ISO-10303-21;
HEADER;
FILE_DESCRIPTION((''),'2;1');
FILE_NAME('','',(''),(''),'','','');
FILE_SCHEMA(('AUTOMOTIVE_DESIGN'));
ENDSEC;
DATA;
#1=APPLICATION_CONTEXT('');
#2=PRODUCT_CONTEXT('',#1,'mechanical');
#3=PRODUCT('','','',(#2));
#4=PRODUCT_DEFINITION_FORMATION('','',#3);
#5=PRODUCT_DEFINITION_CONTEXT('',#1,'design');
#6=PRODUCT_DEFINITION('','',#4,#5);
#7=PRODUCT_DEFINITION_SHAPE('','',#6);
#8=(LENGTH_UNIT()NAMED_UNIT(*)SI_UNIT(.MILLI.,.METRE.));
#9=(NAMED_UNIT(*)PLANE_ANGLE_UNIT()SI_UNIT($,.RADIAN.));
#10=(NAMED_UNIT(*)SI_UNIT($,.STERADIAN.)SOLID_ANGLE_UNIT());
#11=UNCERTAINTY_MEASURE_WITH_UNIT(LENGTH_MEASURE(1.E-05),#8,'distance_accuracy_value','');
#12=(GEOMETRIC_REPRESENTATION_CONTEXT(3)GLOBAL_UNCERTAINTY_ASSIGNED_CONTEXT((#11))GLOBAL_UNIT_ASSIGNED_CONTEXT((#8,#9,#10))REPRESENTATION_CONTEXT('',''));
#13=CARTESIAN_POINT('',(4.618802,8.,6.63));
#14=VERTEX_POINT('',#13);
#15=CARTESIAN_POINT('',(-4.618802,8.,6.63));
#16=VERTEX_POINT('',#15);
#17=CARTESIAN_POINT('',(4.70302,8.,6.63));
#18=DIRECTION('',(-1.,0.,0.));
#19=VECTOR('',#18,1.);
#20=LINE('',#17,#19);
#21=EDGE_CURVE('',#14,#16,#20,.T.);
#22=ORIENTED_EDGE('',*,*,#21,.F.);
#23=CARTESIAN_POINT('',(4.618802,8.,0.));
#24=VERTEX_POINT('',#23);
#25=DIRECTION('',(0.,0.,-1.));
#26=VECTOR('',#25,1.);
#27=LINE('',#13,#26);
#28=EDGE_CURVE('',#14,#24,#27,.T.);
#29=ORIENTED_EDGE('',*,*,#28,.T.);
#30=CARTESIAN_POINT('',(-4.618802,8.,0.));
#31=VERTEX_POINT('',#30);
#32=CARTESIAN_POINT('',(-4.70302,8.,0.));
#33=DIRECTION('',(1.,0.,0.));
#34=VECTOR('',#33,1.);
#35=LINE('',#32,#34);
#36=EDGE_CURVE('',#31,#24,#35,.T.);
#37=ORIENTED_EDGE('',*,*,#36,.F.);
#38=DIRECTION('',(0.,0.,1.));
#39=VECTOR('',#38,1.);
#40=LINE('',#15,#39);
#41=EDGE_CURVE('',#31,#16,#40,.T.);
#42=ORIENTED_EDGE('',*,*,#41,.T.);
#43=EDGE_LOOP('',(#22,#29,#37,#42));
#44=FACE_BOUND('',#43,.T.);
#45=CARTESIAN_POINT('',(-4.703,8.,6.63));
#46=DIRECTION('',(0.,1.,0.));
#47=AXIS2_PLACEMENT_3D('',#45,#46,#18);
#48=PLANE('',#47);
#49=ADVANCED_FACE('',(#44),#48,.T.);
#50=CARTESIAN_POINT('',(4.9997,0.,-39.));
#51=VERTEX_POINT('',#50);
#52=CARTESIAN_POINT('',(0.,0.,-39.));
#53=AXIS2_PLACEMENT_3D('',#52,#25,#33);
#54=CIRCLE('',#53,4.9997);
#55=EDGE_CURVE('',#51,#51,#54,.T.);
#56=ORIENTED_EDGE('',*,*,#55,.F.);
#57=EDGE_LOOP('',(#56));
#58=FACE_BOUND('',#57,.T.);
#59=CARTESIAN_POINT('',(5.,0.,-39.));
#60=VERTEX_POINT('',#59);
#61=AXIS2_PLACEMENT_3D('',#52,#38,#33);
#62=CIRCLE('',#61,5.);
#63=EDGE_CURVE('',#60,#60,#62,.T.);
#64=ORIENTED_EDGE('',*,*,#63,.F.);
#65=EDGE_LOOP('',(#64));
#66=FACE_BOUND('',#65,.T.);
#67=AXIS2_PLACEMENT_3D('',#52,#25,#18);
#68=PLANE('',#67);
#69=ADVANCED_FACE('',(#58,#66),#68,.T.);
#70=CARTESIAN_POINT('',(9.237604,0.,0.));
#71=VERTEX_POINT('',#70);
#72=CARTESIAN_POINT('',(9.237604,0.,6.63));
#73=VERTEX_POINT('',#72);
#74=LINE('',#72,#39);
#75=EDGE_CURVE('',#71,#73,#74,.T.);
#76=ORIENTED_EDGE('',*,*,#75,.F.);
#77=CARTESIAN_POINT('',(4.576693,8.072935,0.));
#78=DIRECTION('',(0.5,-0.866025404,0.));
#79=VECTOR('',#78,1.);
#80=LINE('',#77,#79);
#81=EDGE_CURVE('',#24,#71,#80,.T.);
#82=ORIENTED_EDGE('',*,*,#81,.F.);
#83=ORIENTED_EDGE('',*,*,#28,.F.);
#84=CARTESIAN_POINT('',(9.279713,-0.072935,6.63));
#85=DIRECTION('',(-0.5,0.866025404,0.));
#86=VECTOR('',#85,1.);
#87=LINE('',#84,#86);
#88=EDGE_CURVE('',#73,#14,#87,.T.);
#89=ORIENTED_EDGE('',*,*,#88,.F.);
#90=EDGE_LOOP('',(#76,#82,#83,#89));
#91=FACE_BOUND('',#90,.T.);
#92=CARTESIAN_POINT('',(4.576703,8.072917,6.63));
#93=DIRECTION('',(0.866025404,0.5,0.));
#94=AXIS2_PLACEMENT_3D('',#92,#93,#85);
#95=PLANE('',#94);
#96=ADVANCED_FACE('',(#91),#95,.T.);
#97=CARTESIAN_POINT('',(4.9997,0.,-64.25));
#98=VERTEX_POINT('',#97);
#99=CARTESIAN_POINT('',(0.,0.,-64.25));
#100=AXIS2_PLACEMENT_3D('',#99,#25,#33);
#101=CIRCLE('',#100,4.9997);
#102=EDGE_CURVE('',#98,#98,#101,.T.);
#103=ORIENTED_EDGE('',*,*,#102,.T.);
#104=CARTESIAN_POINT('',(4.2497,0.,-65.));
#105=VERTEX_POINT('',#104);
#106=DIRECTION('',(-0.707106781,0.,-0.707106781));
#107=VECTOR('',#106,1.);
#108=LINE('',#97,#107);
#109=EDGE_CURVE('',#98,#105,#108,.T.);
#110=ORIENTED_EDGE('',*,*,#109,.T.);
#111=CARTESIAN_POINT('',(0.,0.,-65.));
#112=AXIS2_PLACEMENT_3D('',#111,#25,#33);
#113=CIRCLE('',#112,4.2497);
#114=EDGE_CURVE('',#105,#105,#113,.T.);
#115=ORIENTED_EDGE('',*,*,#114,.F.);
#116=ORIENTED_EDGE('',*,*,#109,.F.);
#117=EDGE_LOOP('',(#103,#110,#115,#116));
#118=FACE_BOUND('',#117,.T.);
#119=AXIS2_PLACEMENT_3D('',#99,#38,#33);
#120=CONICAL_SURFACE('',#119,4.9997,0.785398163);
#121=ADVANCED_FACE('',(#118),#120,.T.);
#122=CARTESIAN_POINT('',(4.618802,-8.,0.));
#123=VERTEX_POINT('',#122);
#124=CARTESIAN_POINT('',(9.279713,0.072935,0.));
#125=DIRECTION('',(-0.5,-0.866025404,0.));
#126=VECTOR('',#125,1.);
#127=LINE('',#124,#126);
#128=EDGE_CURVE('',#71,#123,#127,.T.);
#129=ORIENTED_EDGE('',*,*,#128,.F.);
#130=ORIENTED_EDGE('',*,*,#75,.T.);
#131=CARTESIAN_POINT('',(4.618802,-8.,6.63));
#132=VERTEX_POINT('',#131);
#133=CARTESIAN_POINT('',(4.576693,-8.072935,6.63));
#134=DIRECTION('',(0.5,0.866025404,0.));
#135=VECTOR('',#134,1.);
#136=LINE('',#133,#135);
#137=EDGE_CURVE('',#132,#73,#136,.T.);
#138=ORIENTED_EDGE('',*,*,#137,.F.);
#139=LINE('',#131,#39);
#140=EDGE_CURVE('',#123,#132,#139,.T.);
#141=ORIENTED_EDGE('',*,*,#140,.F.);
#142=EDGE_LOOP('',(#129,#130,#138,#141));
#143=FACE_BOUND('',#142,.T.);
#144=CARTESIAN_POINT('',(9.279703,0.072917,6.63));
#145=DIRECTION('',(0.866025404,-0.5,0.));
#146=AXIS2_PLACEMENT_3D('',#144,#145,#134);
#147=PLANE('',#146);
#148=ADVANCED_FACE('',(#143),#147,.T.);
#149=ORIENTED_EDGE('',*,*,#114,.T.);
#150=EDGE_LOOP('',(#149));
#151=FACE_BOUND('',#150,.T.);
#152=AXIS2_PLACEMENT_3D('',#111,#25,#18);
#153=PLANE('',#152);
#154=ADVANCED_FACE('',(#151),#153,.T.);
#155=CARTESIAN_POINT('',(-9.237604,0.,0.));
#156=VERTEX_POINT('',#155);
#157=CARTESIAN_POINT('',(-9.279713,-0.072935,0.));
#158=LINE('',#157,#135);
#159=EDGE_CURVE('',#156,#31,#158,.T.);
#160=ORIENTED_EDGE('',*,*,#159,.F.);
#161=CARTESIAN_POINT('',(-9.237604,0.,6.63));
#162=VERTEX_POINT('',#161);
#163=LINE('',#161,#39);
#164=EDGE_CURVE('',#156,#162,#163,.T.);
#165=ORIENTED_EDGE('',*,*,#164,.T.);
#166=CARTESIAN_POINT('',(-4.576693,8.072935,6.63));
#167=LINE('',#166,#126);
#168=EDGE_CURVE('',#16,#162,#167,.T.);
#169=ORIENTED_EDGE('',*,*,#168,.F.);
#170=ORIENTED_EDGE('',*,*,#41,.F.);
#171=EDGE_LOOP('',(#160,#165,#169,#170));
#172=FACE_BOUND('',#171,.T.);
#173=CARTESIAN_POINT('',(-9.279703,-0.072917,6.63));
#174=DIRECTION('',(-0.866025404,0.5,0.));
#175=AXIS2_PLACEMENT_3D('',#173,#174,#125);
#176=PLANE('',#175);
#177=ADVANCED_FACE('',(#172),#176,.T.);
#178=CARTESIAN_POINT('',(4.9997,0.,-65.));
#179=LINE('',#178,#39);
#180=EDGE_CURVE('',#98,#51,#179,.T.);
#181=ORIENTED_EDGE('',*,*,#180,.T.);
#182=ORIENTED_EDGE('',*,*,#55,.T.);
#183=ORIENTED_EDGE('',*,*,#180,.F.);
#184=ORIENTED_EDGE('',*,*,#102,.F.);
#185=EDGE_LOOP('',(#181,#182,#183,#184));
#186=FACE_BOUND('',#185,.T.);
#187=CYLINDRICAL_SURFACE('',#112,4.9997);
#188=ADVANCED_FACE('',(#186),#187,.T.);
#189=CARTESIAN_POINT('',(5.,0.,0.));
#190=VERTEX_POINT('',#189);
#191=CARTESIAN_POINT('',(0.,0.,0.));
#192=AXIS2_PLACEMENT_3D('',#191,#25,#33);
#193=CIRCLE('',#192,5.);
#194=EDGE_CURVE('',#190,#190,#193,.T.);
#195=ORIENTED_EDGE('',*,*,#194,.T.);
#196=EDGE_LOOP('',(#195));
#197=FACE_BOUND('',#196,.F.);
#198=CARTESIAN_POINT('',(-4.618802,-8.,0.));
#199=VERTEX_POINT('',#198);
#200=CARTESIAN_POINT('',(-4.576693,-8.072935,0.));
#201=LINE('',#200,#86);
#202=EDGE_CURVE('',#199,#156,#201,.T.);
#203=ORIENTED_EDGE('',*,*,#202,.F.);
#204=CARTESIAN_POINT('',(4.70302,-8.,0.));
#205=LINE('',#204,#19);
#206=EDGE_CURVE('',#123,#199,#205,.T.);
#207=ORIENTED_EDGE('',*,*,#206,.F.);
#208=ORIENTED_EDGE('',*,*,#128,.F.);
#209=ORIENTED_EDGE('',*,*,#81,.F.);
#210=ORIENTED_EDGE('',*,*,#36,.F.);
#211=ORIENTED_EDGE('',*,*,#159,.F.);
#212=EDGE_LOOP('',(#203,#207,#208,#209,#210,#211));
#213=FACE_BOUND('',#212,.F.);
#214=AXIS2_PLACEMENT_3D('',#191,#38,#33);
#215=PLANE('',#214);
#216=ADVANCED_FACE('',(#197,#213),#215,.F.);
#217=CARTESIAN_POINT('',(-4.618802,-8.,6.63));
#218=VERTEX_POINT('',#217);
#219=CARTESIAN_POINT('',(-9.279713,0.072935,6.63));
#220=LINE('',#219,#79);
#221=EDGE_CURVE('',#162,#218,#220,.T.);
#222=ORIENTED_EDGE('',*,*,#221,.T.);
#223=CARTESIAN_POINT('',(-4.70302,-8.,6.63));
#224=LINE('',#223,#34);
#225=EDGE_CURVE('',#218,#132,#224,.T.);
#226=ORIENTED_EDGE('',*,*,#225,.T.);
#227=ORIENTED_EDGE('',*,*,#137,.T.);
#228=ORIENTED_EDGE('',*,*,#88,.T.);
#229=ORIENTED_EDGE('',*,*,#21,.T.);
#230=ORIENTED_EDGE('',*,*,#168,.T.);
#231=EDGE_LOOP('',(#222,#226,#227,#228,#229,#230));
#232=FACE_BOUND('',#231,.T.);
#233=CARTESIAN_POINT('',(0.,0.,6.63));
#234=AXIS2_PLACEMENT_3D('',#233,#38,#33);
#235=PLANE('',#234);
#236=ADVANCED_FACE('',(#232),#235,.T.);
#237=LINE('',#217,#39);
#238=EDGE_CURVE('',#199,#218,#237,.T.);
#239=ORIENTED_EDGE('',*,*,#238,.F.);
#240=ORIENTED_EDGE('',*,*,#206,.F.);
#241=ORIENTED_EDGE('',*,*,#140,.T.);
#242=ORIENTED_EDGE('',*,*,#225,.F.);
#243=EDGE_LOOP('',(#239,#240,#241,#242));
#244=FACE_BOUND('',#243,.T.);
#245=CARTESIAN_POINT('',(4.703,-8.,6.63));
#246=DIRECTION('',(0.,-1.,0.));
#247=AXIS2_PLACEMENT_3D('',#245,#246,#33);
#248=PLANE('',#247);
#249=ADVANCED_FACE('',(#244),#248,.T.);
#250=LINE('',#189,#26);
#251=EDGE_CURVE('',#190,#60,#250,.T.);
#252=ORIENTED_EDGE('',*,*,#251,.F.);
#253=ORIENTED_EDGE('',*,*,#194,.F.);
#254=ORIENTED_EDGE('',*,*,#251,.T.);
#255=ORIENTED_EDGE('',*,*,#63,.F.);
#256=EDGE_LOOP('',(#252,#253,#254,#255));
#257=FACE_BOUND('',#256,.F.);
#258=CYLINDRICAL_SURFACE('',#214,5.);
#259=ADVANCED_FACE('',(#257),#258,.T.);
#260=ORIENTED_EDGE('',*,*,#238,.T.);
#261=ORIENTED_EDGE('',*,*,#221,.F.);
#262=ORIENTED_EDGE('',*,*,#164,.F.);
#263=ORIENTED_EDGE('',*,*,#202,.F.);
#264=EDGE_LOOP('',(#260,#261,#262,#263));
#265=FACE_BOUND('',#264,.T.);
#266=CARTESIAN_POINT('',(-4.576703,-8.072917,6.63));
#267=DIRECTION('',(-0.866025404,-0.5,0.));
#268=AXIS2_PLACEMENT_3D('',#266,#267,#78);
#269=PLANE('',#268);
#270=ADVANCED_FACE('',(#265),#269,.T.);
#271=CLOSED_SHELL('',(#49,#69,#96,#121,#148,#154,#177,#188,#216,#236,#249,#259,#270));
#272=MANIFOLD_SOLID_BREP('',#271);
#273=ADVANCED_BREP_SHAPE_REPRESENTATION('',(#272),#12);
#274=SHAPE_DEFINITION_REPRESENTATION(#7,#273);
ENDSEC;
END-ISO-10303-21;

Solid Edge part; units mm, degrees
sketch "Sketch1" plane through (0, 0, 0) normal (0, 0, 1) x (1, 0, 0)
  circle A0 centre (0, 0) radius 9.28
  dimension "D1" = 18.56
extrude "Protrusion1" add sketch "Sketch1" along normal blind 6.63
sketch "Sketch2" plane through (0, 0, 0) normal (0, 0, -1) x (1, 0, 0)
  circle A0 centre (0, 0) radius 5
extrude "Protrusion2" add sketch "Sketch2" along normal blind 65
sketch "Sketch3" plane through (0, 0, -65) normal (0, 0, -1) x (1, 0, 0)
  circle A0 centre (0, 0) radius 4.9997
extrude "Cutout1" cut sketch "Sketch3" against normal blind 26 flip side to cut
chamfer "Chamfer_1" distance 0.75 angle 45 1 edges at (-4.9997, 0, -65)
sketch "Sketch4" plane through (0, 0, 6.63) normal (0, 0, 1) x (1, 0, 0)
  line L0 (-4.703, 8) -> (4.703, 8)
  dimension "D1" = 16
extrude "Cutout2" cut sketch "Sketch4" against normal up to next material side at (0, 8.05, 6.63)
pattern_circular "Pattern1" count 6 over 360 about axis through (0, 0, 6.63) along (0, 0, 1) of "Cutout2"
properties part number "24104770"
